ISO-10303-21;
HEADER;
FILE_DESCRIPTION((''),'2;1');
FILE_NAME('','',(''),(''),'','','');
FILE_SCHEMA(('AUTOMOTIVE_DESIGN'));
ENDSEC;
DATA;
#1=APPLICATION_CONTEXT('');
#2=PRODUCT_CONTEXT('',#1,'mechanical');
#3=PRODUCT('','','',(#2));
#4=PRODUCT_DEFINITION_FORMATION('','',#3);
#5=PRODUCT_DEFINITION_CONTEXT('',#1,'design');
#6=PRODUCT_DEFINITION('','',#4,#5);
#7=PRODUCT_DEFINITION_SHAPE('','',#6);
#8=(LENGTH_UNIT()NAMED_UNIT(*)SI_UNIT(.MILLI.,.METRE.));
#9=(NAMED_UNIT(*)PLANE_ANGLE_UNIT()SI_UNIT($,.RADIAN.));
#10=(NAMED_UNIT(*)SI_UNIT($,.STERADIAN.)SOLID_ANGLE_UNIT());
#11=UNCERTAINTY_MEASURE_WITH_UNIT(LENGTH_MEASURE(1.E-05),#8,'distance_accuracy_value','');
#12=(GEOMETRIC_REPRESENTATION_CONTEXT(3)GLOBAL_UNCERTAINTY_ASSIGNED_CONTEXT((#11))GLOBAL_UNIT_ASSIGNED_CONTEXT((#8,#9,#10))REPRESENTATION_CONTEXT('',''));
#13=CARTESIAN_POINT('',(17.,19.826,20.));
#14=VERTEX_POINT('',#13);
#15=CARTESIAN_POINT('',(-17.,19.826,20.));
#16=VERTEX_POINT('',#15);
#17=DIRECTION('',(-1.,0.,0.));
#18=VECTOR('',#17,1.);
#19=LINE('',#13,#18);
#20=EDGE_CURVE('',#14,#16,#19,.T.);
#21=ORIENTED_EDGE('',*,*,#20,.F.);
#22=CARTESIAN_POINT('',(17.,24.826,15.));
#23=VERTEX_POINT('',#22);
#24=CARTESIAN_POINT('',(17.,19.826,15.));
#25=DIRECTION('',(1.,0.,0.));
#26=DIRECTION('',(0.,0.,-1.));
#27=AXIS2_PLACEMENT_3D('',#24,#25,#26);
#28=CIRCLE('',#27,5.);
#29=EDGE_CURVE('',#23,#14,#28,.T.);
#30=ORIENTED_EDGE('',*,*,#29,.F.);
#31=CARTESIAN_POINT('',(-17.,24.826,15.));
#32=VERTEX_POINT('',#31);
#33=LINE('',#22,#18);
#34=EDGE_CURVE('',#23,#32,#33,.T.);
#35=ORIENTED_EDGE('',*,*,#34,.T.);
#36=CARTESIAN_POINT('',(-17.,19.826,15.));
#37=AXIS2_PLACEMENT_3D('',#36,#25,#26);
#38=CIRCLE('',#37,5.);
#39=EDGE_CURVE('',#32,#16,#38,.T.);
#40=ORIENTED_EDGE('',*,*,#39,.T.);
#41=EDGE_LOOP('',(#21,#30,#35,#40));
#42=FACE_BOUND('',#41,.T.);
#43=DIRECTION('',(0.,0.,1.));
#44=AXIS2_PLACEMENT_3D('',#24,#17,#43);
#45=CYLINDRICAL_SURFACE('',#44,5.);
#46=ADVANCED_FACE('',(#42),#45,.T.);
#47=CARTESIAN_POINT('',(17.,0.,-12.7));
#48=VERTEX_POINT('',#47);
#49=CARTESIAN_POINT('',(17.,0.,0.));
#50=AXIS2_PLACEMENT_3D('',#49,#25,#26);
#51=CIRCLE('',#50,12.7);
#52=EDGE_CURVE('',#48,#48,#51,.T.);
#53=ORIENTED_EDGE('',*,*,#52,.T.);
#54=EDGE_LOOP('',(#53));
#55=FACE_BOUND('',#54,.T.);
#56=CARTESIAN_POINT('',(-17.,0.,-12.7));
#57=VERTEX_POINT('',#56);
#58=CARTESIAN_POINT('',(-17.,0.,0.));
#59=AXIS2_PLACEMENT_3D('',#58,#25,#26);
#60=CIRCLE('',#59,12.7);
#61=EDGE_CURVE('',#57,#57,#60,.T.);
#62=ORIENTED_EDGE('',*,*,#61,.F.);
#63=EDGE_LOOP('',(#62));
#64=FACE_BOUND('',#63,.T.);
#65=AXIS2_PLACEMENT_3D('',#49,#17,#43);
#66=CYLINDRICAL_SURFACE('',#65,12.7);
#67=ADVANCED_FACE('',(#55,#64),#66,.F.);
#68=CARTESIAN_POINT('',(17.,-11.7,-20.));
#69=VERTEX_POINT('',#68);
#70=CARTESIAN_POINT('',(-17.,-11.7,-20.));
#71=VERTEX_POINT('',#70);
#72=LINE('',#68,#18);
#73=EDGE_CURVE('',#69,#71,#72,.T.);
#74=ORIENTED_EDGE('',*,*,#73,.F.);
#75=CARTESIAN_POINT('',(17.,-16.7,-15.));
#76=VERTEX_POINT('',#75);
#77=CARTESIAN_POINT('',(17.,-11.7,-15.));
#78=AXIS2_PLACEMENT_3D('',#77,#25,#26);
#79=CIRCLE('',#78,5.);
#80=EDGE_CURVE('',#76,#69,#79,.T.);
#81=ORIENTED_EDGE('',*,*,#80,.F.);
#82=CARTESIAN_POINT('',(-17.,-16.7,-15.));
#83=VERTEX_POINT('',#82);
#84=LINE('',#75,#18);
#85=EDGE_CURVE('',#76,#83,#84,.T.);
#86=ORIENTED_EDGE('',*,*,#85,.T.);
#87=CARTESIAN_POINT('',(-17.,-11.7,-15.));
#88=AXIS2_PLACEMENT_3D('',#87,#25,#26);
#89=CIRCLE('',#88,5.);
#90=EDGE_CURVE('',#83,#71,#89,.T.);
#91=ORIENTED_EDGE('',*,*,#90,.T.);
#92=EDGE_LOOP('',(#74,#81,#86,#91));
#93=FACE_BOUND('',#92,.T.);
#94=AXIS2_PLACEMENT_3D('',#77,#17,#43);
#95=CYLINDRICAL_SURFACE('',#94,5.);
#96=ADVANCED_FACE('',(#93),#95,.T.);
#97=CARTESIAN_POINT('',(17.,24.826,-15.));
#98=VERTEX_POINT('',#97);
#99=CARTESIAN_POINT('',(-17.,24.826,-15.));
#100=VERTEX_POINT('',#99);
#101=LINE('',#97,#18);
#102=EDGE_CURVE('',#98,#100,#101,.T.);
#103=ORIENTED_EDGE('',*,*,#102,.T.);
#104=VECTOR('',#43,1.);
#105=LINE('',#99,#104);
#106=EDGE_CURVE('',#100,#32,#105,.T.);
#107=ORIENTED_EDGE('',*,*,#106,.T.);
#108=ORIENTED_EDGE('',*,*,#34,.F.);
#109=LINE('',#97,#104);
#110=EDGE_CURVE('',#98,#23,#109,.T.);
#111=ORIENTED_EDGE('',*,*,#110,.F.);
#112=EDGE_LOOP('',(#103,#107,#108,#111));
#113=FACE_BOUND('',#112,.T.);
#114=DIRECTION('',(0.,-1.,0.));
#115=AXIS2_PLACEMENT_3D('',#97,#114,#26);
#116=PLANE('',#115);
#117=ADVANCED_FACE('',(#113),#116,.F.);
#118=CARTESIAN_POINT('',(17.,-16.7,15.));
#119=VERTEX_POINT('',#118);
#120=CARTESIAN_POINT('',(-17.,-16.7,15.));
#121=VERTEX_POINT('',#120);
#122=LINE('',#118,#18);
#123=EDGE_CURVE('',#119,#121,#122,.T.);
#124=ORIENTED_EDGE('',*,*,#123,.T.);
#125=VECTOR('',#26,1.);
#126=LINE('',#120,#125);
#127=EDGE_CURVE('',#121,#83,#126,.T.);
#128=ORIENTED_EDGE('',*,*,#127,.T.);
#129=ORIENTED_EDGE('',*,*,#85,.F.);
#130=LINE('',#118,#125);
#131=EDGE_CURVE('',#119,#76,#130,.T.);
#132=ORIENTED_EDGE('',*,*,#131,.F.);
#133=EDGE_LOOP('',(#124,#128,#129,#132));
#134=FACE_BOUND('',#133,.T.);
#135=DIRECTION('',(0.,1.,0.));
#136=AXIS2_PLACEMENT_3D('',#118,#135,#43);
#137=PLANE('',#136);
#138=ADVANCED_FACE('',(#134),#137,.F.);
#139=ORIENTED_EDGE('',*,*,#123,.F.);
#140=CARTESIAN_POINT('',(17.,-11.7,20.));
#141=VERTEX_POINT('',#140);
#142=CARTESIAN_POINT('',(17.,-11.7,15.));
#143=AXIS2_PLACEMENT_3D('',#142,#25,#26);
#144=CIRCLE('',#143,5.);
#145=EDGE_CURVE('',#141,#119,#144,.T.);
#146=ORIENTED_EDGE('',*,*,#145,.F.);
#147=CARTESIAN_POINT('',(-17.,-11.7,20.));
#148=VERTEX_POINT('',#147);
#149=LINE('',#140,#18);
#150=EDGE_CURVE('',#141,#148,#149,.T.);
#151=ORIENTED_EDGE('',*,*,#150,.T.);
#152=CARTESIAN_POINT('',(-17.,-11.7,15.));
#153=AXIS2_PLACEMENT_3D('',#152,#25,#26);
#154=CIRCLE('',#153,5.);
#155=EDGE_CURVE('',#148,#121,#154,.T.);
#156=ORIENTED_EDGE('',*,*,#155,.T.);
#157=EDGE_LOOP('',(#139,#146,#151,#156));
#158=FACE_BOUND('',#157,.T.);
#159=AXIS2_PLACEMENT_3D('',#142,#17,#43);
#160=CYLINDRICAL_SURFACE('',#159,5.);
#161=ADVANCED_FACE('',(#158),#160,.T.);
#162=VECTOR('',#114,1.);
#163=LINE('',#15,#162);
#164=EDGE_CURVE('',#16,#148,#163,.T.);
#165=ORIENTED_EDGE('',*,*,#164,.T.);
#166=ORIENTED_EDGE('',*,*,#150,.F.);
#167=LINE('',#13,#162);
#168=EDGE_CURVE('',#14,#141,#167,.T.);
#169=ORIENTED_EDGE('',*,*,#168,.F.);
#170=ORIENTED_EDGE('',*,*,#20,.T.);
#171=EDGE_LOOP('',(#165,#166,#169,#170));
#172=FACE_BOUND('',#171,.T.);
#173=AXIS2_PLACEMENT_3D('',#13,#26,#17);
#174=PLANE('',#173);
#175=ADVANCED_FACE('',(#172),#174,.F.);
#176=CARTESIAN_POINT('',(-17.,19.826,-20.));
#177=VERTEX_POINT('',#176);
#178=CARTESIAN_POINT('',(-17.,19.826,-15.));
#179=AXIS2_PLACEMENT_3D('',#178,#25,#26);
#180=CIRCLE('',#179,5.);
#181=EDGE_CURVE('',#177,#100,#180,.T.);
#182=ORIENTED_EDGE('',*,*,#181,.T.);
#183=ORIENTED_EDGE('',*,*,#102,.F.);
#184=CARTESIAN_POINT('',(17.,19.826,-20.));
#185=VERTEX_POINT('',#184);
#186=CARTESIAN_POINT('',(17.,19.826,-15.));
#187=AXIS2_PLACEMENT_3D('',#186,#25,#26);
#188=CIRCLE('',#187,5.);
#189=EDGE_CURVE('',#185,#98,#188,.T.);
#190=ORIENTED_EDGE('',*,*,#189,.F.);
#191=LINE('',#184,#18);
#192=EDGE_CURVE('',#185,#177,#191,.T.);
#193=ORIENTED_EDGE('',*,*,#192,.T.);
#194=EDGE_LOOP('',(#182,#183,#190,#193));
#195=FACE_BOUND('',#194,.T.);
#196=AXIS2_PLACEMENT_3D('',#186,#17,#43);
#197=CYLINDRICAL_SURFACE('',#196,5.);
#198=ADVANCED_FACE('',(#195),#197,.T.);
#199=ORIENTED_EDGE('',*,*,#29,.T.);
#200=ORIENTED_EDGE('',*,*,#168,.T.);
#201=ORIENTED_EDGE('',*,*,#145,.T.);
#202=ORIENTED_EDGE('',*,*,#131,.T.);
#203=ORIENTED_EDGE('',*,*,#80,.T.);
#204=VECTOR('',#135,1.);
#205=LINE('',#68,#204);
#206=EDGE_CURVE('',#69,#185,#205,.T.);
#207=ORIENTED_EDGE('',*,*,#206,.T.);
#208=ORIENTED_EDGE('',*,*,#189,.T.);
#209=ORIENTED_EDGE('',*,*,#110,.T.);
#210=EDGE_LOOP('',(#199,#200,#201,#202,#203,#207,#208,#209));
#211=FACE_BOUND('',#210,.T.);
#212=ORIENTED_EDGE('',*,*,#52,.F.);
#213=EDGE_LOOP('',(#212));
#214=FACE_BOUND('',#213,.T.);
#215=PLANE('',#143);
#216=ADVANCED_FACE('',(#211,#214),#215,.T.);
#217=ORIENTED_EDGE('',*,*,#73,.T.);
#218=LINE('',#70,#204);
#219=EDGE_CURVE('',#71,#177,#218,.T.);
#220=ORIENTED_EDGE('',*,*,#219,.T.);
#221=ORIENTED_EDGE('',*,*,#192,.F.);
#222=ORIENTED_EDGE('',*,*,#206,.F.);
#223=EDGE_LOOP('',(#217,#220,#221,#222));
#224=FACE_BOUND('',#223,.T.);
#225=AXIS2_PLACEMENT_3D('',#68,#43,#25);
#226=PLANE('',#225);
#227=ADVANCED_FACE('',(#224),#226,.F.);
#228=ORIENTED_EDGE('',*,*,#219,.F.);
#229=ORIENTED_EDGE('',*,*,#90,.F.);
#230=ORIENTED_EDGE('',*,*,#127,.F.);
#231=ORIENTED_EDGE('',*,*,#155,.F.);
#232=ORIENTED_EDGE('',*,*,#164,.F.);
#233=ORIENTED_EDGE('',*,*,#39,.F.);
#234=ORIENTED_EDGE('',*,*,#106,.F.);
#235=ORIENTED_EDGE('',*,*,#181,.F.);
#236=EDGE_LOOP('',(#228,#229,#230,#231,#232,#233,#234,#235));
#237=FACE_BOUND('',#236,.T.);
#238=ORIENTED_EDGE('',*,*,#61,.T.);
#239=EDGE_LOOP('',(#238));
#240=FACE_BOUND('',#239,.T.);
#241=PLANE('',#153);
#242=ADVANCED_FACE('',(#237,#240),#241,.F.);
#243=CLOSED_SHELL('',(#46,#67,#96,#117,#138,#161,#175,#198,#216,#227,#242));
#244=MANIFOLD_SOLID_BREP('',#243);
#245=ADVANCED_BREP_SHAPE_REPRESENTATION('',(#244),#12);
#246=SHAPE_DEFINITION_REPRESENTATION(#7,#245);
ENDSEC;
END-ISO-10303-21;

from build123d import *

# Parameters (mm, degrees)
SKETCH1_R           = 12.7
BOSS_EXTRUDE1_DEPTH = 17


with BuildPart() as part:
    # Sketch1 → Boss-Extrude1 (new, symmetric)
    with BuildSketch(Plane(origin=(0, 0, 0), x_dir=(0, 0, -1), z_dir=(1, 0, 0))):
        with BuildLine():
            Line((-15, -16.7), (15, -16.7))
            ThreePointArc((15, -16.7), (18.535533906, -15.235533906), (20, -11.7))
            Line((20, -11.7), (20, 19.826))
            ThreePointArc((20, 19.826), (18.535533906, 23.361533906), (15, 24.826))
            Line((15, 24.826), (-15, 24.826))
            ThreePointArc((-15, 24.826), (-18.535533906, 23.361533906), (-20, 19.826))
            Line((-20, 19.826), (-20, -11.7))
            ThreePointArc((-20, -11.7), (-18.535533906, -15.235533906), (-15, -16.7))
        make_face()
        Circle(SKETCH1_R, mode=Mode.SUBTRACT)
    extrude(amount=BOSS_EXTRUDE1_DEPTH, both=True)


solid = part.part
